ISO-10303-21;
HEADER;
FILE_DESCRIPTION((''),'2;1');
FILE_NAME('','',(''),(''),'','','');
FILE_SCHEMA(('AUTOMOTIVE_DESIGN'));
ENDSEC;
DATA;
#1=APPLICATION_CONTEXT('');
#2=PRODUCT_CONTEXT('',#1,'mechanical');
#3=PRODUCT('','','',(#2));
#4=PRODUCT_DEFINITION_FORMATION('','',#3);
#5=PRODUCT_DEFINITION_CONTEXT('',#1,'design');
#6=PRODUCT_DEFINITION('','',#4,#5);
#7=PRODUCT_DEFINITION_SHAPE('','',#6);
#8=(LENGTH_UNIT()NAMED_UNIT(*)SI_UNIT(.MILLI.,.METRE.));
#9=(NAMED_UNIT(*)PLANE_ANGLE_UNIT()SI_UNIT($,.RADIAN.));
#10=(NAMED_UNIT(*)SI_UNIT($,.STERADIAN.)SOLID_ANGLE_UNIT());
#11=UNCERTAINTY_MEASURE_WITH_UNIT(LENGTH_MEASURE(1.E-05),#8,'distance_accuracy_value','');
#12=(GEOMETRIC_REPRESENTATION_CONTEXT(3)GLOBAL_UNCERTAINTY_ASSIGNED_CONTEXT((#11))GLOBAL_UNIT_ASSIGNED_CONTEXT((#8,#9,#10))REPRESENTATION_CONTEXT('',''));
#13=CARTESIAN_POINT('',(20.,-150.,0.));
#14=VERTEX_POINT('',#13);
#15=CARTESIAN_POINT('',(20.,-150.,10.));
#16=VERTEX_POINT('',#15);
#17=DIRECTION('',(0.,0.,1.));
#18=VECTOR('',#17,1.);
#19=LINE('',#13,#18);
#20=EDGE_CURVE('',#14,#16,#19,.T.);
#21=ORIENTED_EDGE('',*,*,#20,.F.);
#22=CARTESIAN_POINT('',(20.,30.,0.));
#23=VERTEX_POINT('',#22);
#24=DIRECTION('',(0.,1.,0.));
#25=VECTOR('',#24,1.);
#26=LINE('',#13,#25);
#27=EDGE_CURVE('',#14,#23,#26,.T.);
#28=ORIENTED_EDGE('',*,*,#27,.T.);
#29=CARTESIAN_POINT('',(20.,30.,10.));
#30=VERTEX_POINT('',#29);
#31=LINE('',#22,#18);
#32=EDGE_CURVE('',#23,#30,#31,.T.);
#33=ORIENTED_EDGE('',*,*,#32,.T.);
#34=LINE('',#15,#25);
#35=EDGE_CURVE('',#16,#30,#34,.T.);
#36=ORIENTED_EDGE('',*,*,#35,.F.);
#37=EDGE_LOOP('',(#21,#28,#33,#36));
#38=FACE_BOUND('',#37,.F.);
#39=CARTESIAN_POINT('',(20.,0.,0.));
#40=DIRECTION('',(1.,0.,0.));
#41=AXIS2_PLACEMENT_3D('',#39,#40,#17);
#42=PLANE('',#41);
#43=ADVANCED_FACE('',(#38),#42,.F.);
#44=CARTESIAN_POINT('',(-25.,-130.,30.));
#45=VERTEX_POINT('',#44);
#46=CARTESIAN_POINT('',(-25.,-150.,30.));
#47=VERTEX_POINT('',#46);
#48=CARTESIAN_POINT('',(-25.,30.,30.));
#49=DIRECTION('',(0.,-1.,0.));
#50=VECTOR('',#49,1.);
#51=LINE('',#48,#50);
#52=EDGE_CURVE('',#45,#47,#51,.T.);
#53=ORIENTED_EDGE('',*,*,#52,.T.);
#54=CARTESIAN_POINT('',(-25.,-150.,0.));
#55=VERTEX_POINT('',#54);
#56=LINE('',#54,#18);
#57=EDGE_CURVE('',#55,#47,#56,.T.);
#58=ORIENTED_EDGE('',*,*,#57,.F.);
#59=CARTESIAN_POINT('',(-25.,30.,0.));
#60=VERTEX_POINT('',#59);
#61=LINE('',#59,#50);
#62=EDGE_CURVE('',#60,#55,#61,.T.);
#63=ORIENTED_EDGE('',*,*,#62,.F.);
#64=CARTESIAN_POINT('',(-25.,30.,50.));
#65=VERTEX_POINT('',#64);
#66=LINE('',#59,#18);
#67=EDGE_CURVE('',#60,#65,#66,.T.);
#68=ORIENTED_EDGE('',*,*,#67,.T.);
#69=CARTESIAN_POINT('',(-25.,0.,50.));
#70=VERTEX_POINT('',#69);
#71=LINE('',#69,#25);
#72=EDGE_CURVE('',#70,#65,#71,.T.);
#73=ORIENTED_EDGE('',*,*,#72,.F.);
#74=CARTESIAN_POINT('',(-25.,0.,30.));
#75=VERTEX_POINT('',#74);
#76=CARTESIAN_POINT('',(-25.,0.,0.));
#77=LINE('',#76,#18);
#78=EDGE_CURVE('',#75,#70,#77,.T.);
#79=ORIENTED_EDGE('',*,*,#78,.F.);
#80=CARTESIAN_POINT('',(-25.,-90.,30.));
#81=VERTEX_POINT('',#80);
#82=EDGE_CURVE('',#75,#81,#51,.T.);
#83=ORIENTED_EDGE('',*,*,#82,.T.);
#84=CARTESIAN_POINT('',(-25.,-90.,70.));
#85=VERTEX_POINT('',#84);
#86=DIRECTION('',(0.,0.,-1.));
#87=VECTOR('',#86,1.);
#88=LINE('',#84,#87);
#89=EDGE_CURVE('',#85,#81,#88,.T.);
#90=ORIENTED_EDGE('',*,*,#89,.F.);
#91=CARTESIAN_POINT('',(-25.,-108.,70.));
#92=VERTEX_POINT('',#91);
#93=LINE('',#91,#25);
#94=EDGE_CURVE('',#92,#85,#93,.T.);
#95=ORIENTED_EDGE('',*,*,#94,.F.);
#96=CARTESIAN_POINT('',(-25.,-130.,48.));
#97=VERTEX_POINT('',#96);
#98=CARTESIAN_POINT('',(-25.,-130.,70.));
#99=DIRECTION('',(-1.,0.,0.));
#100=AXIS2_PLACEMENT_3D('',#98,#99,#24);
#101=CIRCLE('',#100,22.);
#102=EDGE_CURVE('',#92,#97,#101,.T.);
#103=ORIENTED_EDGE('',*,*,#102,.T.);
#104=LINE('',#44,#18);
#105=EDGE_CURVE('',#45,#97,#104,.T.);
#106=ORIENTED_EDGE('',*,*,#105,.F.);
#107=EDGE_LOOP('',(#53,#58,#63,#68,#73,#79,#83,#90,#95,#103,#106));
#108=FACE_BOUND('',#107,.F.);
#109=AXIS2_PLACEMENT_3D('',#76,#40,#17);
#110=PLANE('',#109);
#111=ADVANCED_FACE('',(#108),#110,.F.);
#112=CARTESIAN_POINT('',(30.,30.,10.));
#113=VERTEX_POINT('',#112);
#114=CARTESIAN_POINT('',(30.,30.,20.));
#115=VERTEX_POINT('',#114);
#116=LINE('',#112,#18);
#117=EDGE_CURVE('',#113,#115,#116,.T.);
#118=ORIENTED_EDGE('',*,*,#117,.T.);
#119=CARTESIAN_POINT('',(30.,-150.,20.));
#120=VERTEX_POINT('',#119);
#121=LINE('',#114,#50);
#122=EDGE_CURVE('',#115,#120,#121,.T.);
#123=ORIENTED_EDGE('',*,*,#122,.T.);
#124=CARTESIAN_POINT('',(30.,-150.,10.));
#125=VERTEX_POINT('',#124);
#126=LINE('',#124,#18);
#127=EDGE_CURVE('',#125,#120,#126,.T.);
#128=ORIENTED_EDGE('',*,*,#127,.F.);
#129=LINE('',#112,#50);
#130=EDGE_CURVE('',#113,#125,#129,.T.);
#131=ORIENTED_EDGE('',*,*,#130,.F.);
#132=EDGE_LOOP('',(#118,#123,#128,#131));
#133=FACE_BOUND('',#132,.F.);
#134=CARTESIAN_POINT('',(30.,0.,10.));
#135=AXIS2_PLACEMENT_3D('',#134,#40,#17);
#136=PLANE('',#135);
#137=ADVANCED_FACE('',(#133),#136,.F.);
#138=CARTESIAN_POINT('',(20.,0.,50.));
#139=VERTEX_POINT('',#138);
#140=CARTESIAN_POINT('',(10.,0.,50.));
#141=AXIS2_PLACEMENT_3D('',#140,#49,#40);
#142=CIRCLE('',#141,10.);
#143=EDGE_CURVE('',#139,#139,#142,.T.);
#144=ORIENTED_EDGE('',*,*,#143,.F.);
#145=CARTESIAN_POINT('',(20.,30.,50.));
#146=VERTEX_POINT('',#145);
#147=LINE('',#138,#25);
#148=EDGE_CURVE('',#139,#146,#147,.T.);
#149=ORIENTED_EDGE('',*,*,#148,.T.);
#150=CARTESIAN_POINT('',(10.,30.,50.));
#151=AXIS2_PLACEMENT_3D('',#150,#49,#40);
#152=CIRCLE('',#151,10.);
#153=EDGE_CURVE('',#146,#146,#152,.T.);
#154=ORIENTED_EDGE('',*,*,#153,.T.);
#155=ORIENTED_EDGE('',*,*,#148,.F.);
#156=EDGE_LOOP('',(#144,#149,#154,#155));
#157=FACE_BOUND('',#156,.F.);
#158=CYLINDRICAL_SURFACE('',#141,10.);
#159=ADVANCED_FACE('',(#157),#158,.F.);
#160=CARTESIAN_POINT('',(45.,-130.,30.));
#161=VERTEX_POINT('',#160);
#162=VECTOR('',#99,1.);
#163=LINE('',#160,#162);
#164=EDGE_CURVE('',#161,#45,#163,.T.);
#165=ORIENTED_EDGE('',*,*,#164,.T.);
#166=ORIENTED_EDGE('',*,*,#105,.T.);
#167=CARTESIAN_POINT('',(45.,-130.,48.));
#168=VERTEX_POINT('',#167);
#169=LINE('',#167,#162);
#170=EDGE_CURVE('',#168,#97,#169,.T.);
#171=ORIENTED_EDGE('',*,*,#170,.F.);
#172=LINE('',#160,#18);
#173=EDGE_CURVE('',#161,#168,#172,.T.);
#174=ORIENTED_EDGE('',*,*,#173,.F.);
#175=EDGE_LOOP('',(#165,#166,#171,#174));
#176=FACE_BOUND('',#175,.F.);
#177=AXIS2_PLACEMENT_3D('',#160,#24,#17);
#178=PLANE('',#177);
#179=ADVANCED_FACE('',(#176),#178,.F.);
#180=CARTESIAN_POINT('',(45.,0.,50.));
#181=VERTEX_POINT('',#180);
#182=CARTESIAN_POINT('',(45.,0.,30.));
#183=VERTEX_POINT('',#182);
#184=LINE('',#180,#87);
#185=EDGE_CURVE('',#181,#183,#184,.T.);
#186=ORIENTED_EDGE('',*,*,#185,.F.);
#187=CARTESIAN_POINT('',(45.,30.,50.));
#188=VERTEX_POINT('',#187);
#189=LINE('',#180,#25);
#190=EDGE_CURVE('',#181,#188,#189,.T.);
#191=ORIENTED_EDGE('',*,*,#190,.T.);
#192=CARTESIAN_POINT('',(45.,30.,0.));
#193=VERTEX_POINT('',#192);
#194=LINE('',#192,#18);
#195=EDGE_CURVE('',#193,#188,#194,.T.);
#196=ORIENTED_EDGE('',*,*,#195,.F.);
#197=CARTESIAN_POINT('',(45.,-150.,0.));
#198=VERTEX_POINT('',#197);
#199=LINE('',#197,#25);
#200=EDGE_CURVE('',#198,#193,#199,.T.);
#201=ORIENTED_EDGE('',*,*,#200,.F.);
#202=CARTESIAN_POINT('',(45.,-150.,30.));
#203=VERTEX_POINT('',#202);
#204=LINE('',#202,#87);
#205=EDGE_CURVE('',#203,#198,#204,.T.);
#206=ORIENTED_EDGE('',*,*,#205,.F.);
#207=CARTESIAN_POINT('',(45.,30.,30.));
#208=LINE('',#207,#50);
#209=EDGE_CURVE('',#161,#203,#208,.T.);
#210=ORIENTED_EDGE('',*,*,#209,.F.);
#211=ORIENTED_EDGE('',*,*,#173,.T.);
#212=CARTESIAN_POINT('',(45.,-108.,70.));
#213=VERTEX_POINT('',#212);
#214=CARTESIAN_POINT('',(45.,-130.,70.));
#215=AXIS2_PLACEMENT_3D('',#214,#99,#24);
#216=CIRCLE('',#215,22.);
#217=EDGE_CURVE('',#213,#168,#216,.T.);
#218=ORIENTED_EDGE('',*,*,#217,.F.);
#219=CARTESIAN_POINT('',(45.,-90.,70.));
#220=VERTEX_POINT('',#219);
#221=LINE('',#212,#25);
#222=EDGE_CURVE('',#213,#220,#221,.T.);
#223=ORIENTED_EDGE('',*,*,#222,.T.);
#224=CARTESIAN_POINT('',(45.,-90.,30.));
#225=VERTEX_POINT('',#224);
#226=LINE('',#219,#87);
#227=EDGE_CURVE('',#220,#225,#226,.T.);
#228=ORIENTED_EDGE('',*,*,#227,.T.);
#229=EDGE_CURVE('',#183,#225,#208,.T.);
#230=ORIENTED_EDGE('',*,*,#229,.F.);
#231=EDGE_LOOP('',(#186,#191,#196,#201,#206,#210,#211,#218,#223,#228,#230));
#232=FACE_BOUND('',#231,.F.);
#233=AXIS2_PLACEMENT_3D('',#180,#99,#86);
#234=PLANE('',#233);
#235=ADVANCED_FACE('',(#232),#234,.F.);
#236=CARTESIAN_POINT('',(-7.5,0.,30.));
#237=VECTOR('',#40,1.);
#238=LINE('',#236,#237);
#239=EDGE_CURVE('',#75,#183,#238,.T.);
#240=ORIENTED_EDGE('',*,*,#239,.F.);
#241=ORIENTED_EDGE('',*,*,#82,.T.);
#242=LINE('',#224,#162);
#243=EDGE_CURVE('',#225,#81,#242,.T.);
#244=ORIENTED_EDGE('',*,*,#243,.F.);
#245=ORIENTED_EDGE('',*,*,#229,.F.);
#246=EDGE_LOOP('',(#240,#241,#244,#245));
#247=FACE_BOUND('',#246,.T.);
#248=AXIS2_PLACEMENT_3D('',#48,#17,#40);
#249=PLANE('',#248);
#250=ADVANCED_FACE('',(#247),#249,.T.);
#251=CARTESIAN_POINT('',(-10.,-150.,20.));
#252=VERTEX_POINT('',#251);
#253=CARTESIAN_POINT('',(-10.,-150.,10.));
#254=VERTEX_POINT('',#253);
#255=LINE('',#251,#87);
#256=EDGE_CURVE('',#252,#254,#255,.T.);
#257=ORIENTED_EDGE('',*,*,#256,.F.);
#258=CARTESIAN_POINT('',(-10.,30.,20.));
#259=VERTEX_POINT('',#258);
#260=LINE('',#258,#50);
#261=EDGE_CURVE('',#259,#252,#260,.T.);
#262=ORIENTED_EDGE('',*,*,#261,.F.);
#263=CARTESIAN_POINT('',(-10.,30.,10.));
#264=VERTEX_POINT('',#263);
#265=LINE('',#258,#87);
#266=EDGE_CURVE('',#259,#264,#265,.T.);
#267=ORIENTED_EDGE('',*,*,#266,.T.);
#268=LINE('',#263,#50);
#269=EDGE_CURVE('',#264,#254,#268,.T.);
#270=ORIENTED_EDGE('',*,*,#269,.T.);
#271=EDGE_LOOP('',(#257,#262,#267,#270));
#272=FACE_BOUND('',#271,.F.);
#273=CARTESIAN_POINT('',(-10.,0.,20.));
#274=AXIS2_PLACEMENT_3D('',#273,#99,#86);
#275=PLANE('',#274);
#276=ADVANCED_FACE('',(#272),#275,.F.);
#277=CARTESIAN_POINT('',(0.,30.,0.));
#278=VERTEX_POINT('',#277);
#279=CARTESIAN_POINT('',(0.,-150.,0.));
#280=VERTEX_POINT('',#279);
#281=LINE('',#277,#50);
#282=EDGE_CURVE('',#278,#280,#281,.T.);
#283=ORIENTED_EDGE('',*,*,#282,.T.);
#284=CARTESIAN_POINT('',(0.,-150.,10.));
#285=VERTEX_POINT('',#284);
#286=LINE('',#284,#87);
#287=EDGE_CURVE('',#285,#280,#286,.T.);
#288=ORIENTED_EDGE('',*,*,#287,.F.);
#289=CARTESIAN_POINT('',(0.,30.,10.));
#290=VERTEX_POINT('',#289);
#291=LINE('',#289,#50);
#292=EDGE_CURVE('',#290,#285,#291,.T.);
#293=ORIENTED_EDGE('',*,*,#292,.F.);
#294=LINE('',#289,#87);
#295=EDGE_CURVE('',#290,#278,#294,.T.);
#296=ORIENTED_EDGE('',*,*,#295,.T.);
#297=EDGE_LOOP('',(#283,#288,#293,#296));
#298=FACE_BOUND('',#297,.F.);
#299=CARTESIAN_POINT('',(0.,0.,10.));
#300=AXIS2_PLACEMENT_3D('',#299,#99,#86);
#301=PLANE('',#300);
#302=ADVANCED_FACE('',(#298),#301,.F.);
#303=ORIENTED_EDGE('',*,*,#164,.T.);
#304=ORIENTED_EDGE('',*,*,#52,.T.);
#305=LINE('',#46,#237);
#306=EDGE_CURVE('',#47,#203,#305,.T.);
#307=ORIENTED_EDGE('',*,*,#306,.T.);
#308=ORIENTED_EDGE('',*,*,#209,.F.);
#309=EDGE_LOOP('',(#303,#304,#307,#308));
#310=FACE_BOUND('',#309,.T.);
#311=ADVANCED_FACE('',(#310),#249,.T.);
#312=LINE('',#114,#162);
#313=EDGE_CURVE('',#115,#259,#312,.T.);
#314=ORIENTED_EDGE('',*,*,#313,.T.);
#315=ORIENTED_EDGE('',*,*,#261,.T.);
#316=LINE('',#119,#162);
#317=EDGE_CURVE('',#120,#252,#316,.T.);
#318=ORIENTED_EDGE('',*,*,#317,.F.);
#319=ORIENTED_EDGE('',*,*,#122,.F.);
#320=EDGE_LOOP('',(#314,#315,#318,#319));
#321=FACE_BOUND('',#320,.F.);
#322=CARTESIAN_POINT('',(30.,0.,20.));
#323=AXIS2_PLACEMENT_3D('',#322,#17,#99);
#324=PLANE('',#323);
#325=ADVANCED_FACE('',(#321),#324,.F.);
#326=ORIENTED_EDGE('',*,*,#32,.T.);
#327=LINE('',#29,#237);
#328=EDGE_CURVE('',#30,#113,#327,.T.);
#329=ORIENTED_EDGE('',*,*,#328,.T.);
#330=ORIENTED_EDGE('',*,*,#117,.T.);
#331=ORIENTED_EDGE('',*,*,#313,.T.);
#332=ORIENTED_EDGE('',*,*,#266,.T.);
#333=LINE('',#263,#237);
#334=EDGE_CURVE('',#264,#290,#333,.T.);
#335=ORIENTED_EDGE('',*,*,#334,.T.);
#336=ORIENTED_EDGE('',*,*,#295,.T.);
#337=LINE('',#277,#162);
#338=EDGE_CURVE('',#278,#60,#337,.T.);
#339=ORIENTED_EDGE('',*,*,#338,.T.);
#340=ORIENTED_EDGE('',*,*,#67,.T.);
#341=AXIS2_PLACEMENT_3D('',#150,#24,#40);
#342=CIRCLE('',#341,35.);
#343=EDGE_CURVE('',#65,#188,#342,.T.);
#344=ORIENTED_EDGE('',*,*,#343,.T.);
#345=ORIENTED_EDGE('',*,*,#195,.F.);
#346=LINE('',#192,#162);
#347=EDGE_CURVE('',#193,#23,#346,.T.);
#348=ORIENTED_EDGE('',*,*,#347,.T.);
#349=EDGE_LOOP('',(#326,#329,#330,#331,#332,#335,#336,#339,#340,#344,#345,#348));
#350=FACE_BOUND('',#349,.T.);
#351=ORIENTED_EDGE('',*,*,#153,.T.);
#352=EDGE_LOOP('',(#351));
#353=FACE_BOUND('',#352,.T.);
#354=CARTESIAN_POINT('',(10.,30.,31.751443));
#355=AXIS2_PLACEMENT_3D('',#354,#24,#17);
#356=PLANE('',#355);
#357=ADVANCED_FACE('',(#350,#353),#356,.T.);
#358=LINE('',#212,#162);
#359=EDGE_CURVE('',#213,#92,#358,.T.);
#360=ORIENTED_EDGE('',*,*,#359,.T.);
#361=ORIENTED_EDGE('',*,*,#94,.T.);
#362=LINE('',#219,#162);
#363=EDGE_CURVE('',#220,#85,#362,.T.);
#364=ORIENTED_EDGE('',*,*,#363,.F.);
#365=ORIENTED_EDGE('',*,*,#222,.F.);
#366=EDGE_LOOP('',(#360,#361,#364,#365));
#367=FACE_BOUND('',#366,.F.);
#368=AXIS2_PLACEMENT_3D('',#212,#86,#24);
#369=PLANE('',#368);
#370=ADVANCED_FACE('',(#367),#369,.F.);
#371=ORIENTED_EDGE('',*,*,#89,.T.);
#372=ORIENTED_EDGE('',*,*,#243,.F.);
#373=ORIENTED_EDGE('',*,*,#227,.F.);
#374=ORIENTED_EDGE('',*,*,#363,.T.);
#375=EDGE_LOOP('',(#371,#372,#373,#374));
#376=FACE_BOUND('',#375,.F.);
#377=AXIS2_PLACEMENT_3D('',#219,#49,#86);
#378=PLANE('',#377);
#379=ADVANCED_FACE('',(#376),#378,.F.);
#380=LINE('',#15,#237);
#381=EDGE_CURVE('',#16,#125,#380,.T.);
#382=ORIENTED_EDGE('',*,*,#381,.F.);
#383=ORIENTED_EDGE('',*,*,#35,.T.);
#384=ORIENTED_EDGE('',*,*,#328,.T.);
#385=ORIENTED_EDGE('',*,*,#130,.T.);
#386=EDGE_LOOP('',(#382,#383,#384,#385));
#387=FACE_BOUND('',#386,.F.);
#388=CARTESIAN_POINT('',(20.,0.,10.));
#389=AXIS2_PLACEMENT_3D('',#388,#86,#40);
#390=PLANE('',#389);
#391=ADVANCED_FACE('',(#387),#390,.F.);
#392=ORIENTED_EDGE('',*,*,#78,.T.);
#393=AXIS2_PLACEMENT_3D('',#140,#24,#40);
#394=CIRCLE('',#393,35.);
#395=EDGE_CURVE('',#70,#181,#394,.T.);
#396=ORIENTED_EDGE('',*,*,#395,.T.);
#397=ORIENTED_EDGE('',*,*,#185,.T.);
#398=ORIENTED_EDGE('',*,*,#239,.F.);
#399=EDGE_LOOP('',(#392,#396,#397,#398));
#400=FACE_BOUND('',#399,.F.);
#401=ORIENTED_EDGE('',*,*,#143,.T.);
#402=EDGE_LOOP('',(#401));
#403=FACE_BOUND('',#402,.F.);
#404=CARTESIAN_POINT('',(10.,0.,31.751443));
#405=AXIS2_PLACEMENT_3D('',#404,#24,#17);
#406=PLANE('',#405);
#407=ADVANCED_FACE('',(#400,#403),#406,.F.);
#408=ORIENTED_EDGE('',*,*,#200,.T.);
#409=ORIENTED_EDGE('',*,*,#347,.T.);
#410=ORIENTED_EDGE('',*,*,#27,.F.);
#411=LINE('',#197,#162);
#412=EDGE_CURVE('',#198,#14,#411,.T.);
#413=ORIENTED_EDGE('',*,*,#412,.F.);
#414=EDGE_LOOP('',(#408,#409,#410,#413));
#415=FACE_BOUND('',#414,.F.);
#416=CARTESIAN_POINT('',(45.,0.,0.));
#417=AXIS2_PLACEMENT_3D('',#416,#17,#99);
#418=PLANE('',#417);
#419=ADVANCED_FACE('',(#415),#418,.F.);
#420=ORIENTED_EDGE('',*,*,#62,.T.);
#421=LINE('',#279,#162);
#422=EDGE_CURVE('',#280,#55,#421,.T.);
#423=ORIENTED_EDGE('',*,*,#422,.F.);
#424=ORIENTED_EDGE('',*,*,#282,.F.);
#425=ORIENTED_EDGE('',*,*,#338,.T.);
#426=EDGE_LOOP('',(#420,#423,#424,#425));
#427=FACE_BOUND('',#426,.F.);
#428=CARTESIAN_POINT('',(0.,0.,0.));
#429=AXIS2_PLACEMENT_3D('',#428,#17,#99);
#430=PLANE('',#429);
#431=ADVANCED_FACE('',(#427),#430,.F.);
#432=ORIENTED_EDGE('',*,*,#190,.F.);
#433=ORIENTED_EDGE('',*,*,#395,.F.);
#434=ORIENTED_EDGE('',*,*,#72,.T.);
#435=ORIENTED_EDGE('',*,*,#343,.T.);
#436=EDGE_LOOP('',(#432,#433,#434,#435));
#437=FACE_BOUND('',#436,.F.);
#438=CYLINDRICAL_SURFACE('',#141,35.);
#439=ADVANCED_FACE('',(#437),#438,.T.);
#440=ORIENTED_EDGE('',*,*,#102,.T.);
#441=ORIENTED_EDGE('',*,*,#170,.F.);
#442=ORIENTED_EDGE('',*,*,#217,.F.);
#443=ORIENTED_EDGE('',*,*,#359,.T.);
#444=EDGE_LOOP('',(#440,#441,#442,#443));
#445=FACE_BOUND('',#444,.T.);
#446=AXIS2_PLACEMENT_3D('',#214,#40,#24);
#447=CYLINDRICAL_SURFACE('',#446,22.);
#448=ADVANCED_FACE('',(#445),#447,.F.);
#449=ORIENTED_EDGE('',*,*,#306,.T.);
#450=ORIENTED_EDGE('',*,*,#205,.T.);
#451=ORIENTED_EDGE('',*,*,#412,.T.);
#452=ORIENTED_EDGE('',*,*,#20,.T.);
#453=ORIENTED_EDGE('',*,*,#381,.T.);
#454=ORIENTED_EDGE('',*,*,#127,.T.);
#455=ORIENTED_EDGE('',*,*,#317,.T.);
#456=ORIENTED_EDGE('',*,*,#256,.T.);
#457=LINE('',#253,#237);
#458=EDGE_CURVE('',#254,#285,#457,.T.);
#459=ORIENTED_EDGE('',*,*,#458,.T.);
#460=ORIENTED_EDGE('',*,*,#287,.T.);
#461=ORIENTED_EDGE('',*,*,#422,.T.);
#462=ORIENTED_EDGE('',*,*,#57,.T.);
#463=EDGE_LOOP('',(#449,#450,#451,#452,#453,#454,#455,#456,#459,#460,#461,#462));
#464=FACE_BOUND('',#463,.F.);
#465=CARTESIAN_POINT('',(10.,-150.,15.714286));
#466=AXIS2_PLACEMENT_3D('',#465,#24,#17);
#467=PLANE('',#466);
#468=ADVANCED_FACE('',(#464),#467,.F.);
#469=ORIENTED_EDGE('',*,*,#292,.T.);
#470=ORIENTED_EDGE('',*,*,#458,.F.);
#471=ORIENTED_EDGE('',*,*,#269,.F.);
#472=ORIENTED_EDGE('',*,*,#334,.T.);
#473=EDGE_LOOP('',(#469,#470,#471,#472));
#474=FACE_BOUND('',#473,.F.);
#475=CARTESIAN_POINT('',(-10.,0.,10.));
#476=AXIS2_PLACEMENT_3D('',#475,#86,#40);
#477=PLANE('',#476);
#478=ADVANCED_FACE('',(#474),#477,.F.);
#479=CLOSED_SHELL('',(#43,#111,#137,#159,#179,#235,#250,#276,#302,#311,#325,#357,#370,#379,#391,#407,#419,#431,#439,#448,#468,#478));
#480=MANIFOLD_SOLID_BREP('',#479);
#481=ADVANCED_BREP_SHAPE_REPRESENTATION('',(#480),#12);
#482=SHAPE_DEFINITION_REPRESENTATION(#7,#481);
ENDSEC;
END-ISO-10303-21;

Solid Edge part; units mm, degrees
sketch "Sketch1" plane through (0, 0, 0) normal (0, -1, 0) x (1, 0, 0)
  line L0 (45, 50) -> (45, 0)
  line L1 (45, 0) -> (20, 0)
  line L2 (20, 0) -> (20, 10)
  line L3 (20, 10) -> (30, 10)
  line L4 (30, 10) -> (30, 20)
  line L5 (30, 20) -> (-10, 20)
  line L6 (-10, 20) -> (-10, 10)
  line L7 (-10, 10) -> (0, 10)
  line L8 (0, 10) -> (0, 0)
  line L9 (0, 0) -> (-25, 0)
  line L10 (-25, 0) -> (-25, 50)
  arc A0 (-25, 50) -> (45, 50) centre (10, 50) cw
extrude "Protrusion1" add sketch "Sketch1" against normal blind 30
sketch "Sketch2" plane through (0, 0, 0) normal (0, -1, 0) x (1, 0, 0)
  circle A0 centre (10, 50) radius 10
extrude "ExtrudedCutout_1" cut sketch "Sketch2" against normal blind 30
sketch "Sketch3" plane through (10, 30, 42.5) normal (0, 1, 0) x (-1, 0, 0)
  line L0 (35, -12.5) -> (-35, -12.5)
  line L1 (-35, -12.5) -> (-35, -42.5)
  line L2 (-35, -42.5) -> (-10, -42.5)
  line L3 (-10, -42.5) -> (-10, -32.5)
  line L4 (-10, -32.5) -> (-20, -32.5)
  line L5 (-20, -32.5) -> (-20, -22.5)
  line L6 (-20, -22.5) -> (20, -22.5)
  line L7 (20, -22.5) -> (20, -32.5)
  line L8 (20, -32.5) -> (10, -32.5)
  line L9 (10, -32.5) -> (10, -42.5)
  line L10 (10, -42.5) -> (35, -42.5)
  line L11 (35, -42.5) -> (35, -12.5)
extrude "ExtrudedProtrusion_2" add sketch "Sketch3" against normal blind 180
sketch "Sketch4" plane through (45, -60, 25) normal (1, 0, 0) x (0, 1, 0)
  line L0 (-30, 45) -> (-30, 5)
  line L1 (-30, 5) -> (-70, 5)
  line L2 (-70, 5) -> (-70, 23)
  line L3 (-48, 45) -> (-30, 45)
  arc A0 (-48, 45) -> (-70, 23) centre (-70, 45) cw
extrude "ExtrudedProtrusion_3" add sketch "Sketch4" against normal blind 70
